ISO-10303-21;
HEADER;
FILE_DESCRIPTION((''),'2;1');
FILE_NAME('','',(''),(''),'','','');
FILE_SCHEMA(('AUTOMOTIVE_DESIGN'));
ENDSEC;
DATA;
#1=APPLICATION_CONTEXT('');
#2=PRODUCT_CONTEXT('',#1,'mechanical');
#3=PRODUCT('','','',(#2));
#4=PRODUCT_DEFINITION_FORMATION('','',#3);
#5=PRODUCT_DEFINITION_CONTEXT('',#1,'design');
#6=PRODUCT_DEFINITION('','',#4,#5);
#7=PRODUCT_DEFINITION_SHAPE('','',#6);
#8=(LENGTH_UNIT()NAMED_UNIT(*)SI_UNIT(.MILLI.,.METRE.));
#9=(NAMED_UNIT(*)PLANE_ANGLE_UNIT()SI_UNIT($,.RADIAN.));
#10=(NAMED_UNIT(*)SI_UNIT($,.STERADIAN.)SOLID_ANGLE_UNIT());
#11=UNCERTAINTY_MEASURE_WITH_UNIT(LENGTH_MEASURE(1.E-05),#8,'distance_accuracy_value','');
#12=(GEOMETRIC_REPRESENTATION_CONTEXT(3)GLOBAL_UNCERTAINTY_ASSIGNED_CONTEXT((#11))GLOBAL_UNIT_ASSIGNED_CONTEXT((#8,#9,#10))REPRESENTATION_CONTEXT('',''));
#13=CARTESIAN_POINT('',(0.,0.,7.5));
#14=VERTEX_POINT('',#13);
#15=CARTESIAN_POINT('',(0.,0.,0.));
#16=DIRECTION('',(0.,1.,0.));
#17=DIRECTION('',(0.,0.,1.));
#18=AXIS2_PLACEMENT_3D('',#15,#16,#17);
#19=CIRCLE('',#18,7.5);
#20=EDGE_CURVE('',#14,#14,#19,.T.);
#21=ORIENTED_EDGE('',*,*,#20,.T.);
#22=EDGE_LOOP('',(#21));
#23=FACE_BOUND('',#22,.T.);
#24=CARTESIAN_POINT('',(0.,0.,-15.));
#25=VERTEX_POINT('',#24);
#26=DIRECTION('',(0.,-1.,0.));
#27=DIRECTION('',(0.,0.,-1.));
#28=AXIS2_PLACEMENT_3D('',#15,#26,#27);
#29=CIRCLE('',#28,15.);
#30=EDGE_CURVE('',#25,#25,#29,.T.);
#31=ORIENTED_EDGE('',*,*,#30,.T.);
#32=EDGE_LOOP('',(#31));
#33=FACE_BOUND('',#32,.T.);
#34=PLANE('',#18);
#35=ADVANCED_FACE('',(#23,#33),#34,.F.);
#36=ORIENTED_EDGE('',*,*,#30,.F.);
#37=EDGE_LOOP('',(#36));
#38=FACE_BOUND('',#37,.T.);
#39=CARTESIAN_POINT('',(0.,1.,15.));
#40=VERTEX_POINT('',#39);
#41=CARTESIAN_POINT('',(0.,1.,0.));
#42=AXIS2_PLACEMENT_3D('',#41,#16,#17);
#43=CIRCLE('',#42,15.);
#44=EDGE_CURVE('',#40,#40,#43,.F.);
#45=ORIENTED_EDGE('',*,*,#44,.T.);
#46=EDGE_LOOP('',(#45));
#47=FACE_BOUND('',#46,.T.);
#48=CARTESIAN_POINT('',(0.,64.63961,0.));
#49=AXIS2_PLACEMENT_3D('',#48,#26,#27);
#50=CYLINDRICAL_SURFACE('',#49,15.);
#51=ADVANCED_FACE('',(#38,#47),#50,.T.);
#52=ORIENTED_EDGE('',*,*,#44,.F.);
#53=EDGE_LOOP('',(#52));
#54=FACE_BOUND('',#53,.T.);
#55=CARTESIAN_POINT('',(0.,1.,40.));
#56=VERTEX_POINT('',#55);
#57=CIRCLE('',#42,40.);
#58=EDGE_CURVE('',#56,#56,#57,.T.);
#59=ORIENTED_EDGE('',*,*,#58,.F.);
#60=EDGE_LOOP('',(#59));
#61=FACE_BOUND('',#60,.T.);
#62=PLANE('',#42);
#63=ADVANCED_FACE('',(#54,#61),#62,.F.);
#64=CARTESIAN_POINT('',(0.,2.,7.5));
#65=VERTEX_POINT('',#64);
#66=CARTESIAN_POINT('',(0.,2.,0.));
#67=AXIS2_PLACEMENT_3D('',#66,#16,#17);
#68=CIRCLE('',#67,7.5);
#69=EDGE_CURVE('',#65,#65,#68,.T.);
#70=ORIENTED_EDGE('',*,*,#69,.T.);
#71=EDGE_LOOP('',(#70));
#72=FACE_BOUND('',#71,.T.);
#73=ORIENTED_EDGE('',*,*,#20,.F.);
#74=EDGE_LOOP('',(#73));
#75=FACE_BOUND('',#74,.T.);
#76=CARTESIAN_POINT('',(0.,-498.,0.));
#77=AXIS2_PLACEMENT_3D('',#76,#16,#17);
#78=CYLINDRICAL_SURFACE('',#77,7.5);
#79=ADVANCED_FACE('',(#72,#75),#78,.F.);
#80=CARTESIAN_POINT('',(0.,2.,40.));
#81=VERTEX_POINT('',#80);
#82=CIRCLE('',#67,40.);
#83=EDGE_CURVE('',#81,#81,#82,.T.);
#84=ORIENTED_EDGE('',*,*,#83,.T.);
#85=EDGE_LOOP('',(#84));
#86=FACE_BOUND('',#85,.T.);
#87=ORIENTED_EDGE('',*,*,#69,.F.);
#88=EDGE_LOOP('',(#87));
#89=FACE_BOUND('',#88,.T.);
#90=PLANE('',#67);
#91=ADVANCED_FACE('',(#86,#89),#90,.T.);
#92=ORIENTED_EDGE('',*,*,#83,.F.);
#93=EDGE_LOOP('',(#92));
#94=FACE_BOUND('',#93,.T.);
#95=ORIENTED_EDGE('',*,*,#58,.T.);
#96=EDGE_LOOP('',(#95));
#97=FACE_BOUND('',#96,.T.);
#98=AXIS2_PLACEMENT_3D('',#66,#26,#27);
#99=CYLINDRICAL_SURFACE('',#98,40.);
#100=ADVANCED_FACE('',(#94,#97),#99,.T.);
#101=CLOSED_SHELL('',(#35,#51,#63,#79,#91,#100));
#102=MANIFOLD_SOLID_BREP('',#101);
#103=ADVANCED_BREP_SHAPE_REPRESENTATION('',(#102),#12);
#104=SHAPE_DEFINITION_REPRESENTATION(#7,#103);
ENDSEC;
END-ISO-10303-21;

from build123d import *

# Parameters (mm, degrees)
SKETCH_1_R          = 22.5
EXTRUDE_1_DEPTH     = 1
SKETCH_2_R          = 40
EXTRUDE_2_DEPTH     = 1
SKETCH_3_R          = 7.5
CUT_EXTRUDE_1_DEPTH = 500
SKETCH_5_R          = 22.5
SKETCH_5_R_2        = 15
CUT_EXTRUDE_3_DEPTH = 1


with BuildPart() as part:
    # 草图1 → 凸台-拉伸1 (new body)
    with BuildSketch(Plane(origin=(0, 0, 0), x_dir=(1, 0, 0), z_dir=(0, 1, 0))):
        with Locations(Location((0, 0, 0), (0, 0, 270))):
            Circle(SKETCH_1_R)
    extrude(amount=EXTRUDE_1_DEPTH)

    # 草图2 → 凸台-拉伸2 (add)
    with BuildSketch(Plane(origin=(0, 1, 0), x_dir=(1, 0, 0), z_dir=(0, 1, 0))):
        with Locations(Location((0, 0, 0), (0, 0, 270))):
            Circle(SKETCH_2_R)
    extrude(amount=EXTRUDE_2_DEPTH)

    # 草图3 → 切除-拉伸1 (cut)
    with BuildSketch(Plane(origin=(0, 2, 0), x_dir=(1, 0, 0), z_dir=(0, 1, 0))):
        with Locations(Location((0, 0, 0), (0, 0, 270))):
            Circle(SKETCH_3_R)
    extrude(amount=-CUT_EXTRUDE_1_DEPTH, mode=Mode.SUBTRACT)

    # 草图5 → 切除-拉伸3 (cut)
    with BuildSketch(Plane.XZ):
        Circle(SKETCH_5_R)
        with Locations(Location((0, 0, 0), (0, 0, 270))):
            Circle(SKETCH_5_R_2, mode=Mode.SUBTRACT)
    extrude(amount=-CUT_EXTRUDE_3_DEPTH, mode=Mode.SUBTRACT)


solid = part.part
